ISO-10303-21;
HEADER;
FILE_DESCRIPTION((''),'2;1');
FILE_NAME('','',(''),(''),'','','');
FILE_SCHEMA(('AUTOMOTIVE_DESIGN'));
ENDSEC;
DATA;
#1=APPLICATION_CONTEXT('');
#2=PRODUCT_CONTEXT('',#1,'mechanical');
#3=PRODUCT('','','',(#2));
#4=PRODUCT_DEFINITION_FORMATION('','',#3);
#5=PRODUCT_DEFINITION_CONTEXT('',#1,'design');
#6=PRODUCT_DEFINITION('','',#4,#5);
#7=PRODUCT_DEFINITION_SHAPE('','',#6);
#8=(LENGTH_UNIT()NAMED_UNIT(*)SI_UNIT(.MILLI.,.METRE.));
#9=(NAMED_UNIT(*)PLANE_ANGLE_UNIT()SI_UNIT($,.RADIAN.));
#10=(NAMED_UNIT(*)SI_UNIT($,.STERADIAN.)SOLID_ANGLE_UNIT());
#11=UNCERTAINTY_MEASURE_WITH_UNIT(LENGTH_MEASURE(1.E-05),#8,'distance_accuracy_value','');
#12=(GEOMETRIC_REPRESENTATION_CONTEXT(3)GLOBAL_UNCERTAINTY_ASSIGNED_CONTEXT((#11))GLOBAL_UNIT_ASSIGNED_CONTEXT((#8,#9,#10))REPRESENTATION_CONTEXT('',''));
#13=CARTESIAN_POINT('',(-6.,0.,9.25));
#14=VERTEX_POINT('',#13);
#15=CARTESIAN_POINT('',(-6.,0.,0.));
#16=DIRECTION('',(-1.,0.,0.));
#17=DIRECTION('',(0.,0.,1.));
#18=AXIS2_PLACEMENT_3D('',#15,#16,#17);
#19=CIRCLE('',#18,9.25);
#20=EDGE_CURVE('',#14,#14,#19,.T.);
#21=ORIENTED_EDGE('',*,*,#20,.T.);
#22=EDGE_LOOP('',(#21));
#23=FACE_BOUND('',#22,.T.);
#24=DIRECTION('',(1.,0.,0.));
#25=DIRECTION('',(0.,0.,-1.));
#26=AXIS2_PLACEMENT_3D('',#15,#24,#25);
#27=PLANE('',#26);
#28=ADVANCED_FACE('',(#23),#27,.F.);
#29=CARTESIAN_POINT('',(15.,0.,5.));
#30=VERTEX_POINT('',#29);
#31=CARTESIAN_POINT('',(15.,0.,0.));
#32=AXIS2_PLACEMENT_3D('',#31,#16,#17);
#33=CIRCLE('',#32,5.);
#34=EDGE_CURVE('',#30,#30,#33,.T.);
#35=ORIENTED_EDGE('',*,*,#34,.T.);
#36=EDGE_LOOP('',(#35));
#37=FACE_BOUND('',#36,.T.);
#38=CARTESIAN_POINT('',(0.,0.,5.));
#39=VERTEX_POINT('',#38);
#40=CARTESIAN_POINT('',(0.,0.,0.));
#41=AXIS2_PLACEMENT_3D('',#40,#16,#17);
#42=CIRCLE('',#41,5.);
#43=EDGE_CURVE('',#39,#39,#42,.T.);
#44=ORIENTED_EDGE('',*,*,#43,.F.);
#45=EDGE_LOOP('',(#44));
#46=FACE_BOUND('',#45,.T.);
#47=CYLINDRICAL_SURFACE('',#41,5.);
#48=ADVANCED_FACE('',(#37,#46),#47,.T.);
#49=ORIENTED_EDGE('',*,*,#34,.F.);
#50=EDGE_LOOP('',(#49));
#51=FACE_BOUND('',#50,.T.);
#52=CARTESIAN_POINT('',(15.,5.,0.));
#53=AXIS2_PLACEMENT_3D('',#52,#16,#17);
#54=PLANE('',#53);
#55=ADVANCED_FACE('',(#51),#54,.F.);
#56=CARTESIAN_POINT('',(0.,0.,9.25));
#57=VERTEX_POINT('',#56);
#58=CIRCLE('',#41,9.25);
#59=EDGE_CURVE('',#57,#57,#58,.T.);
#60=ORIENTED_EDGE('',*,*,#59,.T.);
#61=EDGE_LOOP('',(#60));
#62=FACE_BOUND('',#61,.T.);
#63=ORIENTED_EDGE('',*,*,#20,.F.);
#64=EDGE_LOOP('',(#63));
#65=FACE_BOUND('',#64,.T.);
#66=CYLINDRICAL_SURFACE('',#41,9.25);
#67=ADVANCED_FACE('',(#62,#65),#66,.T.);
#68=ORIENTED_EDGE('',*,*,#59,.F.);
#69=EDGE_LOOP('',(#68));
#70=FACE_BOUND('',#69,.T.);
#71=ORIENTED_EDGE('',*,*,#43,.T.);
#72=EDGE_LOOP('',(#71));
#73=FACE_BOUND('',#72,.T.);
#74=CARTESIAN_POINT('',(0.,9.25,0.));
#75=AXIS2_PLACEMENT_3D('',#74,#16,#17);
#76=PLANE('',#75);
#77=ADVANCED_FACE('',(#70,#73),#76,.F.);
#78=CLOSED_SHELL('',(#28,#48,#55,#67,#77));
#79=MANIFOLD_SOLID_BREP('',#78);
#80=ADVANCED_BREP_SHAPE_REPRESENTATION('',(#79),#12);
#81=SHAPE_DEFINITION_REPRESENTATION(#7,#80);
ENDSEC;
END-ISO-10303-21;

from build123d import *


with BuildPart() as part:
    # ｽｹｯﾁ1 → Revolve 390 (revolve)
    with BuildSketch(Plane.XY, mode=Mode.PRIVATE) as revolve_390_sk:
        Polygon((-6, 0), (-6, 9.25), (0, 9.25), (0, 5), (15, 5), (15, 0), align=None)
    revolve(revolve_390_sk.sketch.rotate(Axis((0, 0, 0), (1, 0, 0)), 90), axis=Axis((0, 0, 0), (1, 0, 0)))


solid = part.part
